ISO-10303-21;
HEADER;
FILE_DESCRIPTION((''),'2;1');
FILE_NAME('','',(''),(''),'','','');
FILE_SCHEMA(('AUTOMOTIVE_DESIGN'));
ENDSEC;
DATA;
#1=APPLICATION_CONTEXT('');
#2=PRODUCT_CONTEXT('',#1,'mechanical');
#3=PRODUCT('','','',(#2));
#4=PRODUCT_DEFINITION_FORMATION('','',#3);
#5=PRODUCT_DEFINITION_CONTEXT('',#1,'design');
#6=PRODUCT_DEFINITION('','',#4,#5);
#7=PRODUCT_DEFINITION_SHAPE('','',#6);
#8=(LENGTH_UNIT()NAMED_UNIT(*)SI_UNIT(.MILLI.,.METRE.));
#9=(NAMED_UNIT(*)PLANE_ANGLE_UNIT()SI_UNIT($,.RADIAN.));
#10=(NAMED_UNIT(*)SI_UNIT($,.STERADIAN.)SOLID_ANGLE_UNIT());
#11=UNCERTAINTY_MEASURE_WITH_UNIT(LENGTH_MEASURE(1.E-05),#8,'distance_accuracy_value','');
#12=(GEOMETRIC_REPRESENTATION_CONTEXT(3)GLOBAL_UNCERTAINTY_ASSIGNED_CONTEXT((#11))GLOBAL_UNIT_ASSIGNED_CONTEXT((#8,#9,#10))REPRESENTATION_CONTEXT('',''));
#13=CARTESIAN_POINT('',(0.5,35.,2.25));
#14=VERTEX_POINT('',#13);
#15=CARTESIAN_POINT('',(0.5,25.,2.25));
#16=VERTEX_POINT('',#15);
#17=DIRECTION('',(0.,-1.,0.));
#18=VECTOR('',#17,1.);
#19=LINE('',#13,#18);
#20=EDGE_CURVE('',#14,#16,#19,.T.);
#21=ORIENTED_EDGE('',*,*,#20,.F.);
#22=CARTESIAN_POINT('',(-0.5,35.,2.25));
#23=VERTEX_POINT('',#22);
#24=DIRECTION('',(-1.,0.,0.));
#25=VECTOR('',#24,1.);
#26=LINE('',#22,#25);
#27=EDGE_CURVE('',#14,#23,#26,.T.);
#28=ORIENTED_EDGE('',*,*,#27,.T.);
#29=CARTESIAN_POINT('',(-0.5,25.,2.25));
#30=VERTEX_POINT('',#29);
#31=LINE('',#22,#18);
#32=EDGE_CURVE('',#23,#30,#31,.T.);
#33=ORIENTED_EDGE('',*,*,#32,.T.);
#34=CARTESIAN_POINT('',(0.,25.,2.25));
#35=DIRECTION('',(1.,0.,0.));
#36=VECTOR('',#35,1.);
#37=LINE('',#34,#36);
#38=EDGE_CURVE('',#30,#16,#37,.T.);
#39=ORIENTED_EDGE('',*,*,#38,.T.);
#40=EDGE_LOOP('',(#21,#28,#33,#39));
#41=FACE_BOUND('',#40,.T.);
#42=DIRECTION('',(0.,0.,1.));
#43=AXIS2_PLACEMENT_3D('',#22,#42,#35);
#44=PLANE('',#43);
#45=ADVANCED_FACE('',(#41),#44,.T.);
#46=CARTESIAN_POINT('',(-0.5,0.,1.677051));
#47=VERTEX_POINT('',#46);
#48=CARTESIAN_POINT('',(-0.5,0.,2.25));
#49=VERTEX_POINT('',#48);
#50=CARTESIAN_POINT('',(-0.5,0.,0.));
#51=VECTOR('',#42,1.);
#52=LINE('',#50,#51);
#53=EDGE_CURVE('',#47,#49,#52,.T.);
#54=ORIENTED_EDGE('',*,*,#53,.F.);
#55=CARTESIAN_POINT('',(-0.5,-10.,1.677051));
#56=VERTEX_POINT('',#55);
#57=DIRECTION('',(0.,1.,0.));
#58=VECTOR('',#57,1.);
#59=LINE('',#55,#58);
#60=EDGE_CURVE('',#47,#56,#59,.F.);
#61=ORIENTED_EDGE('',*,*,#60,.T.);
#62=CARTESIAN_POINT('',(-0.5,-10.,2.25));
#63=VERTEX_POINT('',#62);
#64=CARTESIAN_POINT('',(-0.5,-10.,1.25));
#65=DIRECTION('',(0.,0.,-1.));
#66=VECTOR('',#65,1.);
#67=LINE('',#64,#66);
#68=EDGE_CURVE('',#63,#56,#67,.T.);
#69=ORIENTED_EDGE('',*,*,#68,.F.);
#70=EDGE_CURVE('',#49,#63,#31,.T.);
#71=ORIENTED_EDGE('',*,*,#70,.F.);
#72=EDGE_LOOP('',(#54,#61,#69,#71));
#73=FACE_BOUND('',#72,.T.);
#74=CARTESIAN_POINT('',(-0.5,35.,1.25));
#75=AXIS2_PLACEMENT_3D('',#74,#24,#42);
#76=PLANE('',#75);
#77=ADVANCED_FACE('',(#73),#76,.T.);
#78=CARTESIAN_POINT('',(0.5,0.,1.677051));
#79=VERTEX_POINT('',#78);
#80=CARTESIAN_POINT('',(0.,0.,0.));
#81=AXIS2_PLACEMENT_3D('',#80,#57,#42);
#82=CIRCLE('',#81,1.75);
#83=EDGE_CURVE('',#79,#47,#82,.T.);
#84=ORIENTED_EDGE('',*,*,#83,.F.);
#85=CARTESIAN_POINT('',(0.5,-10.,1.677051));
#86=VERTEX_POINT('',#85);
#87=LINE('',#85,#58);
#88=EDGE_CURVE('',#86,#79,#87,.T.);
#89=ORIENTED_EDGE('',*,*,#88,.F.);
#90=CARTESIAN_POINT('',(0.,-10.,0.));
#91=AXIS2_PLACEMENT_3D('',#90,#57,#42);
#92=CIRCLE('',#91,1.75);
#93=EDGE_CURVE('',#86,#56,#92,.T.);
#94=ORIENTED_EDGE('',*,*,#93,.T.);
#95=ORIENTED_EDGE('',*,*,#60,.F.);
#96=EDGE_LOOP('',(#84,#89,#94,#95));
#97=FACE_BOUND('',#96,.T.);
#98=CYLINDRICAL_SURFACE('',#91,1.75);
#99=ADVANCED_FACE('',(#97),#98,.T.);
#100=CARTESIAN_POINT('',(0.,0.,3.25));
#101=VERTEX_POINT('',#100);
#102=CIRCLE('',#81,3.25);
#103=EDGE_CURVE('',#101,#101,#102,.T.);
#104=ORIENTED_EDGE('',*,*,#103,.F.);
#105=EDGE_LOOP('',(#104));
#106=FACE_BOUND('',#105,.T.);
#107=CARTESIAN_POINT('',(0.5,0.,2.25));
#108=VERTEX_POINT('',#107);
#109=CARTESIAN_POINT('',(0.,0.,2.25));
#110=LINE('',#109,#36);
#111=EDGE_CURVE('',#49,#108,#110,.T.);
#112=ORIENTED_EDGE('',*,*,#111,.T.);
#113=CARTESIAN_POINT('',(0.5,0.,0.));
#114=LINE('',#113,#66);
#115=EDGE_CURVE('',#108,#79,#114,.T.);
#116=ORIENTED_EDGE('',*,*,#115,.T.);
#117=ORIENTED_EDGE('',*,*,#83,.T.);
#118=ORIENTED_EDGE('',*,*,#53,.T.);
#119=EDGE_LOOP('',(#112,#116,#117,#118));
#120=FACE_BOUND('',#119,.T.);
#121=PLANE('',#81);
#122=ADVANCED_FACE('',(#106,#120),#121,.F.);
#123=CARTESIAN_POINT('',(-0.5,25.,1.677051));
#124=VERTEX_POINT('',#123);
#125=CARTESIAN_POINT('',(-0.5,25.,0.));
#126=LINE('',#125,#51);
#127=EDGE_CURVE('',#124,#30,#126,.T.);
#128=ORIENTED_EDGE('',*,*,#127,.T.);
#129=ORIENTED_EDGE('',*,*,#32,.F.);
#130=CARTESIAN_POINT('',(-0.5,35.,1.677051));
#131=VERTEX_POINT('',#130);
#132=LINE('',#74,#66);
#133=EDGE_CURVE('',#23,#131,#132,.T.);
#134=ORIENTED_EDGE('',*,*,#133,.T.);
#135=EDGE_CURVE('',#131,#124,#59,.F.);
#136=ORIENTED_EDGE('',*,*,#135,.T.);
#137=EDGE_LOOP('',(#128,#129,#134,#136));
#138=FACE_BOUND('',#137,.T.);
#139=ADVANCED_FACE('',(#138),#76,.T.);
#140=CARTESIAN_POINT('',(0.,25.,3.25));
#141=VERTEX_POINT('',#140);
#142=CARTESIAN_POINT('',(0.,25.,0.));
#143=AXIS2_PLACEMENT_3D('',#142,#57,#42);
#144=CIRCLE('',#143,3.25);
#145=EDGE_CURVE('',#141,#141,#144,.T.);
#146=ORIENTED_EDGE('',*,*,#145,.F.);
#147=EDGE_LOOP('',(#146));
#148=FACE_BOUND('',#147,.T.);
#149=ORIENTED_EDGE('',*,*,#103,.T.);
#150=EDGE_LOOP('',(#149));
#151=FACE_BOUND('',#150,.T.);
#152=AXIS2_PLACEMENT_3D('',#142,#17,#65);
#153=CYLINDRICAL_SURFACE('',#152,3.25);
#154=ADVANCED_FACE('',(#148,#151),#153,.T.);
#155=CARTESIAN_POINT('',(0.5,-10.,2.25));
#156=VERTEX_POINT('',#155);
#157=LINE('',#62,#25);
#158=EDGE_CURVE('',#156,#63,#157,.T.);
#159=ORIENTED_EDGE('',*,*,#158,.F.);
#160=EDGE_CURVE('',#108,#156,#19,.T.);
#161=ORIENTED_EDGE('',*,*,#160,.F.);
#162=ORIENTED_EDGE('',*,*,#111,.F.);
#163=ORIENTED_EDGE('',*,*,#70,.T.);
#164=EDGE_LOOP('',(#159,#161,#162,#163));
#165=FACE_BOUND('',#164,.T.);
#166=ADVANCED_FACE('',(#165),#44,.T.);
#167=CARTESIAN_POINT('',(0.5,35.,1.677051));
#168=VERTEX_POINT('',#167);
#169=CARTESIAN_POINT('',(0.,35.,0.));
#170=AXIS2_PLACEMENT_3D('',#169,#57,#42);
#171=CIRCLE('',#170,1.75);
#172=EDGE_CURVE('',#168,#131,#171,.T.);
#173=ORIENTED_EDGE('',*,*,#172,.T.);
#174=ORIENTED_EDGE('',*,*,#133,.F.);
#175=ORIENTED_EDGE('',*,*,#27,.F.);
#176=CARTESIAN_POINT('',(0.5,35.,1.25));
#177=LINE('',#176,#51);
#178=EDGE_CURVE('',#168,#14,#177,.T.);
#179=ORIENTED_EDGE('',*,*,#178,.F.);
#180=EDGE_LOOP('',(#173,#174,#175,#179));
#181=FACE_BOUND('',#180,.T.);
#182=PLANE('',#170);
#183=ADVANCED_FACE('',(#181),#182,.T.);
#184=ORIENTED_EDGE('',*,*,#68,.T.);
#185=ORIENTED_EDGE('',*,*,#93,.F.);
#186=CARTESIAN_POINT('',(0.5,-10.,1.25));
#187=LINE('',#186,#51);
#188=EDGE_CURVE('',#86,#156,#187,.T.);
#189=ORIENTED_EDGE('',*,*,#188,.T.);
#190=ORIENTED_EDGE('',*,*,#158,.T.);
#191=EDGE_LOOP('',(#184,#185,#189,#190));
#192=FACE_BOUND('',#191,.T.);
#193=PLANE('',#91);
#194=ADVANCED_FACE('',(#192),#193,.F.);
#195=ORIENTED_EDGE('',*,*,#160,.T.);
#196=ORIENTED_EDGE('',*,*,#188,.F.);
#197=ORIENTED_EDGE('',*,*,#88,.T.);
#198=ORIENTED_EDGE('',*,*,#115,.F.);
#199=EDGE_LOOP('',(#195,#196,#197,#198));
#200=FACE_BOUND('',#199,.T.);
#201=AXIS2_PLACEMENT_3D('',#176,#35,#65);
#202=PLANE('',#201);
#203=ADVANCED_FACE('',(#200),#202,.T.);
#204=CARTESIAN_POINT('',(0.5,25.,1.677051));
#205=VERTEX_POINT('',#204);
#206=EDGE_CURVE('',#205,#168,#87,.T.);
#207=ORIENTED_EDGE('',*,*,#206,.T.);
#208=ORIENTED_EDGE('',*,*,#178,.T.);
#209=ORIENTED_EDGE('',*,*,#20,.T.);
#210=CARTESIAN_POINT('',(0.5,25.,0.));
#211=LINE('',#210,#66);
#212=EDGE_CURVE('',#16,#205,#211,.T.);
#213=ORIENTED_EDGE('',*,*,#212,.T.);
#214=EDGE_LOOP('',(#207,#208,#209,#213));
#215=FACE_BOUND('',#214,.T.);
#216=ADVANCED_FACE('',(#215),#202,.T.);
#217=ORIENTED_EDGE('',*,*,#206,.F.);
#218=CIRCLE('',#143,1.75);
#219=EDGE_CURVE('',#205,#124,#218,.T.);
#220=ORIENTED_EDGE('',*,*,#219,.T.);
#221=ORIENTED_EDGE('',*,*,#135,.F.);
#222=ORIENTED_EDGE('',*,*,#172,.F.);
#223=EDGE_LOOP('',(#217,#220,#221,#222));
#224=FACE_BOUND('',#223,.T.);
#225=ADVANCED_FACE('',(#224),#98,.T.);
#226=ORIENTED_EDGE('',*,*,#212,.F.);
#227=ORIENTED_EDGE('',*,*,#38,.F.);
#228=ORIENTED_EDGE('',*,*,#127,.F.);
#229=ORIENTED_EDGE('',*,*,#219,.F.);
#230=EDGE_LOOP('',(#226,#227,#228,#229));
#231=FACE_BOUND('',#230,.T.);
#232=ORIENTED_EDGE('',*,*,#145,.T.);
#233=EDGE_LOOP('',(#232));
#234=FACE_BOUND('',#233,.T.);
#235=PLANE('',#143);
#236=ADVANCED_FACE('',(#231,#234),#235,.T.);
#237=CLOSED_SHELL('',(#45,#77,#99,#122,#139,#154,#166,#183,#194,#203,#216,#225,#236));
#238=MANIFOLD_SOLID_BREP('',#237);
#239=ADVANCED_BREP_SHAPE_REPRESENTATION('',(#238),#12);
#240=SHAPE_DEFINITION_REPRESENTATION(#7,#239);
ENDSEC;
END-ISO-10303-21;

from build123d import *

# Parameters (mm, degrees)
SKETCH1_R                = 3.25
BOSS_EXTRUDE1_DEPTH      = 25
SKETCH2_R                = 1.75
BOSS_EXTRUDE2_DEPTH      = 10
BOSS_EXTRUDE2_DEPTH_BACK = 35
BOSS_EXTRUDE3_START      = -45
SKETCH3_W                = 1
SKETCH3_H                = 1
BOSS_EXTRUDE3_DEPTH      = 45


with BuildPart() as part:
    # Sketch1 → Boss-Extrude1 (new body)
    with BuildSketch(Plane(origin=(0, 0, 0), x_dir=(1, 0, 0), z_dir=(0, 1, 0))):
        Circle(SKETCH1_R)
    extrude(amount=BOSS_EXTRUDE1_DEPTH)

    # Sketch2 → Boss-Extrude2 (add, two sides)
    with BuildSketch(Plane(origin=(0, 25, 0), x_dir=(1, 0, 0), z_dir=(0, 1, 0))) as boss_extrude2_sk:
        Circle(SKETCH2_R)
    extrude(amount=BOSS_EXTRUDE2_DEPTH)
    extrude(boss_extrude2_sk.sketch, amount=-BOSS_EXTRUDE2_DEPTH_BACK)

    # Sketch3 → Boss-Extrude3 (add)
    with BuildSketch(Plane.XZ.offset(10).offset(BOSS_EXTRUDE3_START)):
        with Locations((0, 1.75)):
            Rectangle(SKETCH3_W, SKETCH3_H)
    extrude(amount=BOSS_EXTRUDE3_DEPTH)


solid = part.part
